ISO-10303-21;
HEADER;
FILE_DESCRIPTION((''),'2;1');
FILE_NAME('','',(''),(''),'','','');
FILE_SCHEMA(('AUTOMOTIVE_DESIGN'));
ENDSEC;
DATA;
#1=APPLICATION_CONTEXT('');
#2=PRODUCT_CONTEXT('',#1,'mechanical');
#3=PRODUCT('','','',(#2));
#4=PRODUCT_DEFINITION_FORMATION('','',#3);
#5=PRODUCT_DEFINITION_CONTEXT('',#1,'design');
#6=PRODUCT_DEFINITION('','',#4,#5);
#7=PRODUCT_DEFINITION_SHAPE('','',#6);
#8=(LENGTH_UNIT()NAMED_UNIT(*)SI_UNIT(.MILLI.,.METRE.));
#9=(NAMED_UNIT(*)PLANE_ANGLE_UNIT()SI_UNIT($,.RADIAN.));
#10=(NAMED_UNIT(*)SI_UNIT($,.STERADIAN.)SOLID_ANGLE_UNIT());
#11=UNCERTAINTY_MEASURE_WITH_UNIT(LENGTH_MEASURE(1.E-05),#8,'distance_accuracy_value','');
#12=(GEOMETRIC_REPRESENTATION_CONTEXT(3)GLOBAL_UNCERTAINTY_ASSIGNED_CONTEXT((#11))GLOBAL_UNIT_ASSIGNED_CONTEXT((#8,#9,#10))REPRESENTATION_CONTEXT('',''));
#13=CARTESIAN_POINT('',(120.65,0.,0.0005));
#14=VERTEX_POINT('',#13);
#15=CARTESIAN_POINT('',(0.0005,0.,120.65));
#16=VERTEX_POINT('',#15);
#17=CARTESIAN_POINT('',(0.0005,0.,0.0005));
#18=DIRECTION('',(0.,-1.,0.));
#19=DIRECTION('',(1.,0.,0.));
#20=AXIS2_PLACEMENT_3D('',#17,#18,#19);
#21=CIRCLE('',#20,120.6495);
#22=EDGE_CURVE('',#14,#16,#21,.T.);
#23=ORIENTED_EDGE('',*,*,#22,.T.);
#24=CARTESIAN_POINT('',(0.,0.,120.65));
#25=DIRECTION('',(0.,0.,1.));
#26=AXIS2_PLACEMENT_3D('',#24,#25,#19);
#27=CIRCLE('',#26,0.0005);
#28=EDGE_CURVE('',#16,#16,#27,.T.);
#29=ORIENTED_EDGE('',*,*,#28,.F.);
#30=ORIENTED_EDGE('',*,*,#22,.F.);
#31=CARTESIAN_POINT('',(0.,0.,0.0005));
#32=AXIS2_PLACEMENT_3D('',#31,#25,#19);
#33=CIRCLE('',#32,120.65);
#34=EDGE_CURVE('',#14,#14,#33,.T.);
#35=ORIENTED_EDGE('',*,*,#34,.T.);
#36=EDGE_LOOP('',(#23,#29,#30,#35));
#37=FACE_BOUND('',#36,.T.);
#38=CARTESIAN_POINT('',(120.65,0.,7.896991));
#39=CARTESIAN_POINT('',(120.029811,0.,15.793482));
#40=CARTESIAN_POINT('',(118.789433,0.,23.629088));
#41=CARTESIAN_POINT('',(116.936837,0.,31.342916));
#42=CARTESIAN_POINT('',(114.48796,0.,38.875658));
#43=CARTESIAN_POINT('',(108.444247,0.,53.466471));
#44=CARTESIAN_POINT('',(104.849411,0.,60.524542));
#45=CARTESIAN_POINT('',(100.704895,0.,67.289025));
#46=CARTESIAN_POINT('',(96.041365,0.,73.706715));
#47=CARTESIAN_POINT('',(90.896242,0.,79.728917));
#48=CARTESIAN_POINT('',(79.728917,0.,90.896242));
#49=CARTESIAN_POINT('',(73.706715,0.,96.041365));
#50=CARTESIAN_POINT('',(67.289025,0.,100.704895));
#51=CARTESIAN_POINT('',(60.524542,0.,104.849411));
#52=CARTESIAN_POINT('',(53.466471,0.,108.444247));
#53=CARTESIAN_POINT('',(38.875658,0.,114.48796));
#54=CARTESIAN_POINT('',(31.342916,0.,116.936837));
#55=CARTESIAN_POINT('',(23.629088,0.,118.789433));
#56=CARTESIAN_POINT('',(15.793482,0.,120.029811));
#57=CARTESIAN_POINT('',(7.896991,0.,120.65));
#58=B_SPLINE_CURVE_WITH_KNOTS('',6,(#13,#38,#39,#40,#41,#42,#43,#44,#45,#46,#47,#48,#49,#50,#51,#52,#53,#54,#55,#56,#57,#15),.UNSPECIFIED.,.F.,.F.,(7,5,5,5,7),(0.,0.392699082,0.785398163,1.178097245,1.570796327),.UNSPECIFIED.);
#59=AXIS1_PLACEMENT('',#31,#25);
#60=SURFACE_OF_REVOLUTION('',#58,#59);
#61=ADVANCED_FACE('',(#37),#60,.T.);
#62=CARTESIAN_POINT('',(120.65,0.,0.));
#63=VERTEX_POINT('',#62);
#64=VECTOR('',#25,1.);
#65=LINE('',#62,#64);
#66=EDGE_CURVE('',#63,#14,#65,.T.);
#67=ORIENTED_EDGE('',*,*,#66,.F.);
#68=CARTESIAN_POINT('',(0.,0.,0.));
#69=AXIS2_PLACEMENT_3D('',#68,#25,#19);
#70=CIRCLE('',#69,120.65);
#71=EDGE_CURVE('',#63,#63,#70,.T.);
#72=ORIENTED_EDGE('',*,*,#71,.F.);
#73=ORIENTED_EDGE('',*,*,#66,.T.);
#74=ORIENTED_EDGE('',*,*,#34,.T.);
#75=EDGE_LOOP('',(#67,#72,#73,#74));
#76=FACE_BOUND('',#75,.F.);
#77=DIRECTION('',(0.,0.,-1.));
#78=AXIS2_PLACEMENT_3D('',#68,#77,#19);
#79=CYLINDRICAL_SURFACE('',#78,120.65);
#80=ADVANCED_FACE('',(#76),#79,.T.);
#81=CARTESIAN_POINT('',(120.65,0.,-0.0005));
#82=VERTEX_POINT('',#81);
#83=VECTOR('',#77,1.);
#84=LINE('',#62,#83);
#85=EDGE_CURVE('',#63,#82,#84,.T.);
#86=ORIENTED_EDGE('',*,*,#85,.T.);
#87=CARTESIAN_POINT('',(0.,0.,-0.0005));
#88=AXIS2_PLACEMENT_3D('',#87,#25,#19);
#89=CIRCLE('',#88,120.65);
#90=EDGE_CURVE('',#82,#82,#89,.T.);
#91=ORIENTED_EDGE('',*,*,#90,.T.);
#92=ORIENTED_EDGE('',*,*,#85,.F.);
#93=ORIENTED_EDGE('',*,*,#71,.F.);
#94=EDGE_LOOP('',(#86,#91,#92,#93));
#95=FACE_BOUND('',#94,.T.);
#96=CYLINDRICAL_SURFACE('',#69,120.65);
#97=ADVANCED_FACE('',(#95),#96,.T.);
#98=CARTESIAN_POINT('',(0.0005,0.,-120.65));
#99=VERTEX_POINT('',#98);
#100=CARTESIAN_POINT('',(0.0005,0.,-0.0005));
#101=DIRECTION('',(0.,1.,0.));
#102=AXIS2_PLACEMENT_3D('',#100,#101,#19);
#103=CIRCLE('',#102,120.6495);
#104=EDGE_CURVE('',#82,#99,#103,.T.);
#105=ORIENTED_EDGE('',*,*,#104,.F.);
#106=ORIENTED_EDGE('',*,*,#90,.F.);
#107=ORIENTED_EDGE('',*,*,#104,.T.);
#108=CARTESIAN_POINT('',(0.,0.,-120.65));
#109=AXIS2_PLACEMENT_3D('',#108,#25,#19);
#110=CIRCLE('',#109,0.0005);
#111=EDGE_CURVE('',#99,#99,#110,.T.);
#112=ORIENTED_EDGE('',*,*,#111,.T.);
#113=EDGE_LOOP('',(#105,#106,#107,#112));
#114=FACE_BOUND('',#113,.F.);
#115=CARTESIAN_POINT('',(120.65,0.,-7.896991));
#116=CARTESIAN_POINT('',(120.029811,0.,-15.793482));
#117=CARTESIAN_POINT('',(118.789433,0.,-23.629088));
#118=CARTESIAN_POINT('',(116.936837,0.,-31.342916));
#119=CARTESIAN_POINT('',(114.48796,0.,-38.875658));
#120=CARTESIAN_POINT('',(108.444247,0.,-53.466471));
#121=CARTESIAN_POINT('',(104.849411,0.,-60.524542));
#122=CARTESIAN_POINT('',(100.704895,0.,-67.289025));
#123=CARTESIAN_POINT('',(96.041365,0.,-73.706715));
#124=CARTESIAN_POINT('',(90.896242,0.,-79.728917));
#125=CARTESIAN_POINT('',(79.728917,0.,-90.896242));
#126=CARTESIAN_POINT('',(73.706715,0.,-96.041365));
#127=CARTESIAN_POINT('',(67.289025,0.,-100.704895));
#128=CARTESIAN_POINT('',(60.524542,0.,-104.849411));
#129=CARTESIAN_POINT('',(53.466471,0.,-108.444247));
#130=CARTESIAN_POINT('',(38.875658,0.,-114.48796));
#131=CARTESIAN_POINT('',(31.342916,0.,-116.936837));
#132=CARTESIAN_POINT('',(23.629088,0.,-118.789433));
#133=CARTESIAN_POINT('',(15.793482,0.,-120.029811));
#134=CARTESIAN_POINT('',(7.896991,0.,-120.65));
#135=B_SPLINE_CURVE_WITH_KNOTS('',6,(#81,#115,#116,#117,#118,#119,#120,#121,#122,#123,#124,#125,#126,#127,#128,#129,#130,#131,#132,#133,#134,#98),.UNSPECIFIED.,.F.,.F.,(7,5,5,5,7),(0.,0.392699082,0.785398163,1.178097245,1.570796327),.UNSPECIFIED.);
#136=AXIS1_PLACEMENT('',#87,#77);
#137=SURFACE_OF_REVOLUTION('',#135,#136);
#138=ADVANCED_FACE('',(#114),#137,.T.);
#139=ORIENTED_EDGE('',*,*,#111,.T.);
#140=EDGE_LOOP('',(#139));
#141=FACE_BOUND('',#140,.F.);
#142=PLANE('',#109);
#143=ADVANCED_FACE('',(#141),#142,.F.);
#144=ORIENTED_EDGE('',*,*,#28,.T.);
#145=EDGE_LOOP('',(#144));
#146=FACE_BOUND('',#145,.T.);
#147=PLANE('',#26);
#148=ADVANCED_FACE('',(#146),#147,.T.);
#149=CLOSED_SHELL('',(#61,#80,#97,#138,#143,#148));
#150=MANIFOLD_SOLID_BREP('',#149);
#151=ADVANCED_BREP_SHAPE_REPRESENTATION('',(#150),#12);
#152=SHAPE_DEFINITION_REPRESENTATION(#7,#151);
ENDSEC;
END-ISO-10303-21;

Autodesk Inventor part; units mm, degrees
ref_plane "YZ Plane" through (0, 0, 0) normal (1, 0, 0) x (0, 1, 0)
ref_plane "XZ Plane" through (0, 0, 0) normal (0, 1, 0) x (-1, 0, 0)
ref_plane "XY Plane" through (0, 0, 0) normal (0, 0, 1) x (1, 0, 0)
sketch "Sketch1" plane through (0, 0, 0) normal (0, 0, 1) x (1, 0, 0)
  circle A0 centre (0, 0) radius 120.65
  dimension "d0" = 241.3
extrude "Extrusion1" add sketch "Sketch1" along normal mid plane 241.3
fillet "Fillet1" radius 120.65 2 edges at (-120.65, 0, 120.65) (-120.65, 0, -120.65)
properties part number "2022 Cargo Blue" material "Rubber"
